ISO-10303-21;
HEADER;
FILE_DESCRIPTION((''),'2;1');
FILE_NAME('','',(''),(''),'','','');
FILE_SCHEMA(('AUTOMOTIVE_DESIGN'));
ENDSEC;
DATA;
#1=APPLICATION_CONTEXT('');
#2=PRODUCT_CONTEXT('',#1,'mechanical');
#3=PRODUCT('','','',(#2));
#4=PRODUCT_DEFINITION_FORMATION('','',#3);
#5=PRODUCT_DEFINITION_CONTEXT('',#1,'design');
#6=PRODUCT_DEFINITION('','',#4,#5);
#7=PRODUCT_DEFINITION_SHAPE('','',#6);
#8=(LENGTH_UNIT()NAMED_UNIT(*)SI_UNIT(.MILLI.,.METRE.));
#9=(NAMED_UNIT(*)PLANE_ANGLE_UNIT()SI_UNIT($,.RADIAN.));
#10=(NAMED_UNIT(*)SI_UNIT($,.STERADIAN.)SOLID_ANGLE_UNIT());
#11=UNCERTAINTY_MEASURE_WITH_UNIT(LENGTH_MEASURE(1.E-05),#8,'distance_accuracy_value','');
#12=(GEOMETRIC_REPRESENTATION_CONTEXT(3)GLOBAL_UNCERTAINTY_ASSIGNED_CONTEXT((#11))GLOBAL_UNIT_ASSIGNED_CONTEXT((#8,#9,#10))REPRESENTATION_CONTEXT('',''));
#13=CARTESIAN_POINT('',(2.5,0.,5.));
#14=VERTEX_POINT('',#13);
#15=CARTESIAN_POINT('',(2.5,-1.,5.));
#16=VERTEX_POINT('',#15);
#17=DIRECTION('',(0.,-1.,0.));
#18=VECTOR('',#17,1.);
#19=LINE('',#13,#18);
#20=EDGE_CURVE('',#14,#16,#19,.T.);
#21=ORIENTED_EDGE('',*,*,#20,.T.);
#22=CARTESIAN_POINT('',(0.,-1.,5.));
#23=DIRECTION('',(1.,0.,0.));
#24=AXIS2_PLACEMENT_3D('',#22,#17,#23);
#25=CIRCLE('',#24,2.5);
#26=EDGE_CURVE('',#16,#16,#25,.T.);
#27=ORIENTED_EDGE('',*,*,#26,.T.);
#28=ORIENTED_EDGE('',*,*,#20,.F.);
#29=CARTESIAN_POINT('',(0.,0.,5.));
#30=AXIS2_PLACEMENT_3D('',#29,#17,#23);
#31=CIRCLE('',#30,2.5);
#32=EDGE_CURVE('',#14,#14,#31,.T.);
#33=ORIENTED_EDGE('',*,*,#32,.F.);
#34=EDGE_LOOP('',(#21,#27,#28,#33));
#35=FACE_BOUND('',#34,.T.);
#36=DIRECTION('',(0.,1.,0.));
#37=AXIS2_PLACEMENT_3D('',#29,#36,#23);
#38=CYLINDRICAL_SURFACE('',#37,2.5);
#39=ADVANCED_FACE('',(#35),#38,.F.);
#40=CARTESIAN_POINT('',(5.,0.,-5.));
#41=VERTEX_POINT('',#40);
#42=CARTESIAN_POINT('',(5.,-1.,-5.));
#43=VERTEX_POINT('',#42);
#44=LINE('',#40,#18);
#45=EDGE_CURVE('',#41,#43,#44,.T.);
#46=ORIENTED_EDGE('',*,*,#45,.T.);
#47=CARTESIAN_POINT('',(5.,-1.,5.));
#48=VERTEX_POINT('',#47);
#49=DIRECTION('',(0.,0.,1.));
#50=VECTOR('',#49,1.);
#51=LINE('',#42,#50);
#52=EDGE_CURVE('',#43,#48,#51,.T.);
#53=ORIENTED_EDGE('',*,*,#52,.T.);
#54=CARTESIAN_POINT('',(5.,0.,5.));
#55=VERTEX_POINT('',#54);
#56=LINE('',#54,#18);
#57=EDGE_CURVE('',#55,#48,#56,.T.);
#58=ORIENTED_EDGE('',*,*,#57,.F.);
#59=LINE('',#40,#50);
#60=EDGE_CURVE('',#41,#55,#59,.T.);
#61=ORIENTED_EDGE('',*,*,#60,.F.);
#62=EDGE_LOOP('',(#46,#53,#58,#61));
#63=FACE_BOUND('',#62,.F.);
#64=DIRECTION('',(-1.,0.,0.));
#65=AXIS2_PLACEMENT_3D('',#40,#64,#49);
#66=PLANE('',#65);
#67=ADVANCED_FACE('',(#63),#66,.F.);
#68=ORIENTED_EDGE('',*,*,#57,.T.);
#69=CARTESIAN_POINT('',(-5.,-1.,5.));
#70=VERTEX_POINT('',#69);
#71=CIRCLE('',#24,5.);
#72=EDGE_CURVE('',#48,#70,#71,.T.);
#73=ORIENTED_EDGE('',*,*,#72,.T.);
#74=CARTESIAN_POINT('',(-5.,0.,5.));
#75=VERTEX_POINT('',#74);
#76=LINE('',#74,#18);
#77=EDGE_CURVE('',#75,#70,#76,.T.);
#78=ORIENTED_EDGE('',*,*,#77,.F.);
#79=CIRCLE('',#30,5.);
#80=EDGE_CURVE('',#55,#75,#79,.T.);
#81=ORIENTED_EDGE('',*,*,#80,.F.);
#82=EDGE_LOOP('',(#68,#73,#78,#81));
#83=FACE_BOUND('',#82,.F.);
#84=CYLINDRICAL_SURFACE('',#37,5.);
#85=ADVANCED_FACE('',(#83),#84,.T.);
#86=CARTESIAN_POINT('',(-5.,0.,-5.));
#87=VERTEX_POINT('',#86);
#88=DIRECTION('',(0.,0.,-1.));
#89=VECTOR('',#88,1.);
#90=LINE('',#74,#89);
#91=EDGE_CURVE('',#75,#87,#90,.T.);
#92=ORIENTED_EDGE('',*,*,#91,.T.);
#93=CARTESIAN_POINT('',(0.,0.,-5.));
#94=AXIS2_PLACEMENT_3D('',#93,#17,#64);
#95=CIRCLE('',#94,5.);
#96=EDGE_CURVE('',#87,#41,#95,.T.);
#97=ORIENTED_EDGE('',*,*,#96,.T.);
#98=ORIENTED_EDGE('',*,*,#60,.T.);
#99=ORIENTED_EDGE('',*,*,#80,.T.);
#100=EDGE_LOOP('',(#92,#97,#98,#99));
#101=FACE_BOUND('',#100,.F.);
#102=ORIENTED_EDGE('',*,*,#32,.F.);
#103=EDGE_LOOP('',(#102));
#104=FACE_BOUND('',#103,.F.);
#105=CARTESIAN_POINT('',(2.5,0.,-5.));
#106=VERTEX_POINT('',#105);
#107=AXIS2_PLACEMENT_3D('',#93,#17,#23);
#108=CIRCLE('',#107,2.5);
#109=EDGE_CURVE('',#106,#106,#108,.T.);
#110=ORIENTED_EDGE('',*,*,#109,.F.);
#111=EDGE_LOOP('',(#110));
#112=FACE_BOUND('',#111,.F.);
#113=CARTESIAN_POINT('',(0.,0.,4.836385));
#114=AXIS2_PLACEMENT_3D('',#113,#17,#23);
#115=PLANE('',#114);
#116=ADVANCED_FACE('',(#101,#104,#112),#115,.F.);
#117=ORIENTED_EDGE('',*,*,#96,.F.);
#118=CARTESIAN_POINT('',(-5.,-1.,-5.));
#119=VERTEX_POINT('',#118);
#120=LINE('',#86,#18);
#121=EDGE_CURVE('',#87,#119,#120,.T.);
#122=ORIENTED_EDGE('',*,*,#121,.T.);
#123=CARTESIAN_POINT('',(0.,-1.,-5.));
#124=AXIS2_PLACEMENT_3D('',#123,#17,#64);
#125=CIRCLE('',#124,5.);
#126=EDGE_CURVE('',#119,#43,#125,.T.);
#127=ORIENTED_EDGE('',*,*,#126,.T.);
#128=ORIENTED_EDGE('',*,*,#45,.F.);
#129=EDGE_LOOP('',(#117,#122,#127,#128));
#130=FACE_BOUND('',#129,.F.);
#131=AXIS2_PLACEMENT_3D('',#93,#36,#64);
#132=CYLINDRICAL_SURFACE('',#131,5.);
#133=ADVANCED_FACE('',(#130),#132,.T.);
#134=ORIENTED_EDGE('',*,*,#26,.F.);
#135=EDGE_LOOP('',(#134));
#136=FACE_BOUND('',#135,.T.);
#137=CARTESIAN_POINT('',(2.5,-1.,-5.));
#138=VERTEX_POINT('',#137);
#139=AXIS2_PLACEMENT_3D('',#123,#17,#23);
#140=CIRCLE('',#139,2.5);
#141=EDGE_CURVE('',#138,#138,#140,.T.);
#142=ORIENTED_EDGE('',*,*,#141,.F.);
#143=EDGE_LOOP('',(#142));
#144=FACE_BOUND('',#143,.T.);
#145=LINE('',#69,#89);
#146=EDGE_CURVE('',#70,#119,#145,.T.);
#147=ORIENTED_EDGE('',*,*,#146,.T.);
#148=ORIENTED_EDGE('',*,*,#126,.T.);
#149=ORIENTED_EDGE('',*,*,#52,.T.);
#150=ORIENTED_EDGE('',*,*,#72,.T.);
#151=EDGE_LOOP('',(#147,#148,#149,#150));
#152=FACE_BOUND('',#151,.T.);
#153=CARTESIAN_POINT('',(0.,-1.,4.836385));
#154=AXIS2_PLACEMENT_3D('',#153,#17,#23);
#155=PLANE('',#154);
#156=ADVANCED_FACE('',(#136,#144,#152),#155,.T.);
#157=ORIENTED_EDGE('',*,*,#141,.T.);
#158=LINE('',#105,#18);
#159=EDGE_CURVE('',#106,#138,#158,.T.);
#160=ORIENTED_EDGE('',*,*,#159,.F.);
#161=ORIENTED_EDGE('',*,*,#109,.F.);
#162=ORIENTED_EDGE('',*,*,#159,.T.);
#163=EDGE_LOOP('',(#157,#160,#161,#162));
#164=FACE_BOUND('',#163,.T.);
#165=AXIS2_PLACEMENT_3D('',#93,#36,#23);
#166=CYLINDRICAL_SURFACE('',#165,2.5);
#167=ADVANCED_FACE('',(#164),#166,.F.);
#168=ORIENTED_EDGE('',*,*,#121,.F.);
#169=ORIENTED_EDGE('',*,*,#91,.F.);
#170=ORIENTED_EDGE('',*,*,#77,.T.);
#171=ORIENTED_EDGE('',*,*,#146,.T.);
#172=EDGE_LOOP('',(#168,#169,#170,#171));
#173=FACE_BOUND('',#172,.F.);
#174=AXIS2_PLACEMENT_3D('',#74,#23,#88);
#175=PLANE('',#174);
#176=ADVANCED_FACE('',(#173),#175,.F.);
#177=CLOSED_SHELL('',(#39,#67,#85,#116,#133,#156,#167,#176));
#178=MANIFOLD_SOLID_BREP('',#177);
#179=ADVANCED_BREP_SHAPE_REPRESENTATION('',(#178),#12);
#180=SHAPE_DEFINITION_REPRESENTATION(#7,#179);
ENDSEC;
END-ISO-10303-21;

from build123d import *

# Parameters (mm, degrees)
F0_R     = 2.5
F1_DEPTH = 1


with BuildPart() as f1:
    # F0 (on Front) → F1 (new body)
    with BuildSketch(Plane.XZ):
        with BuildLine():
            ThreePointArc((0, 0), (3.535534, 1.464466), (5, 5))
            ThreePointArc((5, 5), (0, 10), (-5, 5))
            ThreePointArc((-5, 5), (-3.535534, 1.464466), (0, 0))
        make_face()
        with Locations((0, 5)):
            Circle(F0_R, mode=Mode.SUBTRACT)
        with BuildLine():
            Line((5, -5), (5, 5))
            ThreePointArc((5, 5), (3.535534, 1.464466), (0, 0))
            ThreePointArc((0, 0), (3.535534, -1.464466), (5, -5))
        make_face()
        with BuildLine():
            ThreePointArc((0, 0), (-3.535534, 1.464466), (-5, 5))
            Line((-5, 5), (-5, -5))
            ThreePointArc((-5, -5), (-3.535534, -1.464466), (0, 0))
        make_face()
        with BuildLine():
            ThreePointArc((5, -5), (3.535534, -1.464466), (0, 0))
            ThreePointArc((0, 0), (-3.535534, -1.464466), (-5, -5))
            ThreePointArc((-5, -5), (0, -10), (5, -5))
        make_face()
        with Locations((0, -5)):
            Circle(F0_R, mode=Mode.SUBTRACT)
    extrude(amount=F1_DEPTH)


solid = f1.part
